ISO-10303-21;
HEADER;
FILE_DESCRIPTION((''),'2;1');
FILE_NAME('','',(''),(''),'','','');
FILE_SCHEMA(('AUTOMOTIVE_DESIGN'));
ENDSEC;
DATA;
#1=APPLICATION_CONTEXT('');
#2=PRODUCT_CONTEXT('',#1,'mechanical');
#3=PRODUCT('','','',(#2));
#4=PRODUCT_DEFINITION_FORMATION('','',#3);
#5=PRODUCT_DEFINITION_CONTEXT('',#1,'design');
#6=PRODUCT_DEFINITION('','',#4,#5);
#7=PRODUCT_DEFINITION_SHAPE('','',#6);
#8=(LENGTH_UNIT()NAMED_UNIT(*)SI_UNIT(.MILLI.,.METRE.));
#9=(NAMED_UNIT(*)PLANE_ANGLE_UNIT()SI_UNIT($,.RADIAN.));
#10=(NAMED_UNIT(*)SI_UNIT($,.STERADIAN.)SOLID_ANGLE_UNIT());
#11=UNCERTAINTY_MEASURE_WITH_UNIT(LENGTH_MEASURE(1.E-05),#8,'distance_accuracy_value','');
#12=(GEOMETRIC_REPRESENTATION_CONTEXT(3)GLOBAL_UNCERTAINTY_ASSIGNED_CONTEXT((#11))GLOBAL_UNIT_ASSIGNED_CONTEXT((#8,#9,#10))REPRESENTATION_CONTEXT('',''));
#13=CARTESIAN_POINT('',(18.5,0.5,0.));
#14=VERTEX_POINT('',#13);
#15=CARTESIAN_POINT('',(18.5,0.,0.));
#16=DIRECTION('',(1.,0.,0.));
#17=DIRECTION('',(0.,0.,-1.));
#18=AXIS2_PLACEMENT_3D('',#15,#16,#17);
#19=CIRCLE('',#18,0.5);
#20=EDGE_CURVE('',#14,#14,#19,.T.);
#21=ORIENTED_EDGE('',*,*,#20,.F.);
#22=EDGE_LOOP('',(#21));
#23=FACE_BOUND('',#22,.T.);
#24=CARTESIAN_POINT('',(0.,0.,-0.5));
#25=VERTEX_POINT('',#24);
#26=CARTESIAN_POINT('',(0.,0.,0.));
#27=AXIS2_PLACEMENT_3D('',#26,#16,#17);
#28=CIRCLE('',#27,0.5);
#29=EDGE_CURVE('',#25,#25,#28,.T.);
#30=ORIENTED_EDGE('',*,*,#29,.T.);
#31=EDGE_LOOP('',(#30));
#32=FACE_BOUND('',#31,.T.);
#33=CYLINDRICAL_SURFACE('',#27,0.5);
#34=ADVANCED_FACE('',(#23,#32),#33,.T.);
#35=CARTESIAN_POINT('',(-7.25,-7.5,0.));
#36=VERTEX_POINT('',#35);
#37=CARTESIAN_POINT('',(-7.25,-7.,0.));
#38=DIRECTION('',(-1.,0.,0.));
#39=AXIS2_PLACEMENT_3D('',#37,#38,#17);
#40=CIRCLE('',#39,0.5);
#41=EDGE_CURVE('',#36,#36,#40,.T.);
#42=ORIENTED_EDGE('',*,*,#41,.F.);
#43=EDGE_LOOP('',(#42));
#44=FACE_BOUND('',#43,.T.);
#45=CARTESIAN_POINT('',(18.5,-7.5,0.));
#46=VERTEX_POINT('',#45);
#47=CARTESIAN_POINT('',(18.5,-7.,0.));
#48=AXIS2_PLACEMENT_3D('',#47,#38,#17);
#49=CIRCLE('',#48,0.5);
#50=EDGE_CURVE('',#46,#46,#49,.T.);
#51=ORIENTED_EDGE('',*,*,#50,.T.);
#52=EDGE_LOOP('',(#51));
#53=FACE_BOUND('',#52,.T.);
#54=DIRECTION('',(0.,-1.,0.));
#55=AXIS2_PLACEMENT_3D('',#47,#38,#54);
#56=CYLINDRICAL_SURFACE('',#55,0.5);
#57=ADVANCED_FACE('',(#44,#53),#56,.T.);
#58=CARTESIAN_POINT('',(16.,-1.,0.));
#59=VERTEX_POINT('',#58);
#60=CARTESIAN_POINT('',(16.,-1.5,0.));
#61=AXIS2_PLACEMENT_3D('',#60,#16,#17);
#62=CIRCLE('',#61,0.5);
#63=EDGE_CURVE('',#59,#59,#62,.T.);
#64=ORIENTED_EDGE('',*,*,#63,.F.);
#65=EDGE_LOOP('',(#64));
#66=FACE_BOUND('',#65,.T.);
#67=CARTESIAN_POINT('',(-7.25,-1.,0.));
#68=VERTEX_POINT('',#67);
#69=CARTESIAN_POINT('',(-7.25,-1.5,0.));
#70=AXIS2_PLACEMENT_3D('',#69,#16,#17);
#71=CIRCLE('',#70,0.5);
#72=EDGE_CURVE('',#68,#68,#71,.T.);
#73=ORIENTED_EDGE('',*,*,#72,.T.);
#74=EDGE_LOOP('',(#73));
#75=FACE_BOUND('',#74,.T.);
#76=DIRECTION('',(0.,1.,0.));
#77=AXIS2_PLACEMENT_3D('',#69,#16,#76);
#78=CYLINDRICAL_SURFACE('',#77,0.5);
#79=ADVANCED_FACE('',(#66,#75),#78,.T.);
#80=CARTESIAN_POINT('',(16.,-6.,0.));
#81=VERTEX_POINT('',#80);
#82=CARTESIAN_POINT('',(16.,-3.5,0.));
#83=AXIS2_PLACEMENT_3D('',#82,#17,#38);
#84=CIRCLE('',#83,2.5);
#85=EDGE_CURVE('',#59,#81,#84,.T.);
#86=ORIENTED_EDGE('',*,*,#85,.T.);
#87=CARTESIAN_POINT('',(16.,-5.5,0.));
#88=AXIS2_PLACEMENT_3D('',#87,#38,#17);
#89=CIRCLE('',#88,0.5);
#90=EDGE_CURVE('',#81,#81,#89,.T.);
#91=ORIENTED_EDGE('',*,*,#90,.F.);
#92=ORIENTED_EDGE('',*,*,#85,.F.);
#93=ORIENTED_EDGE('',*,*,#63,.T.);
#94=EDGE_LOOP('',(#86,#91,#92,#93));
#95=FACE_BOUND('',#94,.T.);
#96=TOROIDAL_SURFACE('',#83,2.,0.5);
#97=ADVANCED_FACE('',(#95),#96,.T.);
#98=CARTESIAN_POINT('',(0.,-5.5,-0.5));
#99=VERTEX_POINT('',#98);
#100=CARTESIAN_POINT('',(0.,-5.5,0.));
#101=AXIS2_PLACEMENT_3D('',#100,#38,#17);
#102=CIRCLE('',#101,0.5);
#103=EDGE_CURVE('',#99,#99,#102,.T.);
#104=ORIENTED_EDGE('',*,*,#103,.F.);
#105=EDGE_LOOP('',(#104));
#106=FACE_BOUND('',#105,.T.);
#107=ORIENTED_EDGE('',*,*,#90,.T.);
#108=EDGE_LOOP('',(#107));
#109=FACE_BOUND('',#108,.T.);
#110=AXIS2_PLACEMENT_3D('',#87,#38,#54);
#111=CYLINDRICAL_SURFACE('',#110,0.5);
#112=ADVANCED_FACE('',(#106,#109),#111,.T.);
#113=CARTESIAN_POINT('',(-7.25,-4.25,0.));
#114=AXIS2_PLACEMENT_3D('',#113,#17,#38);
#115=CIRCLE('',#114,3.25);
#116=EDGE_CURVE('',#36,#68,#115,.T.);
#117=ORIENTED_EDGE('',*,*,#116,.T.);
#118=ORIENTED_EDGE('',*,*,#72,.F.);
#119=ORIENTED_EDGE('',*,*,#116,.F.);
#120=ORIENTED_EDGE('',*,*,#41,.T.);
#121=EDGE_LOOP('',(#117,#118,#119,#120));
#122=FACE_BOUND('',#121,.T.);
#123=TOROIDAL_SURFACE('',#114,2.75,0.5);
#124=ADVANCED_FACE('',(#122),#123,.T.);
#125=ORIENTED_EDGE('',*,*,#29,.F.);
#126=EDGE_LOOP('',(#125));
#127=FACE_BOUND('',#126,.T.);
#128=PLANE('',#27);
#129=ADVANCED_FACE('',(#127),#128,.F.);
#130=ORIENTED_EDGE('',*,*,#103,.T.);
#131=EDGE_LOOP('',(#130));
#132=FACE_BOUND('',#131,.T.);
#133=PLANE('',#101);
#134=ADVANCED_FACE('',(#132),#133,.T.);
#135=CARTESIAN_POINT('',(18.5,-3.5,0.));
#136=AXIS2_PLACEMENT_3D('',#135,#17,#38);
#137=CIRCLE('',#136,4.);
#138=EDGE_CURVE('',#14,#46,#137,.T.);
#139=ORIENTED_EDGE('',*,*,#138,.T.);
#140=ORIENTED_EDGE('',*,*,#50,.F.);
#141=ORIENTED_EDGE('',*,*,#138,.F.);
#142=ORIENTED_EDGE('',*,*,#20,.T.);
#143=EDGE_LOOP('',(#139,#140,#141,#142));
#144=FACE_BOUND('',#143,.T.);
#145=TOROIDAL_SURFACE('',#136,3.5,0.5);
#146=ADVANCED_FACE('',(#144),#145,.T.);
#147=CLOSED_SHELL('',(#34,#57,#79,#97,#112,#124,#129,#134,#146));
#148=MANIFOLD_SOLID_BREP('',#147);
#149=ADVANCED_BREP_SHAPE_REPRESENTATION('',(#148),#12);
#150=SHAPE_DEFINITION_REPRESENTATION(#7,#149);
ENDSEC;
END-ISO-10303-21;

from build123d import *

# Parameters (mm, degrees)
SKETCH2_R = 0.5


with BuildPart() as part:
    # Sweep1: sweep along a path in Sketch1
    with BuildLine(Plane.XY) as sweep1_path:
        Line((0, 0), (18.5, 0))
        ThreePointArc((18.5, 0), (22, -3.5), (18.5, -7))
        Line((18.5, -7), (-7.25, -7))
        ThreePointArc((-7.25, -7), (-10, -4.25), (-7.25, -1.5))
        Line((-7.25, -1.5), (16, -1.5))
        ThreePointArc((16, -1.5), (18, -3.5), (16, -5.5))
        Line((16, -5.5), (0, -5.5))
    # Sketch2 → Sweep1 (sweep)
    with BuildSketch(Plane(origin=(0, 0, 0), x_dir=(0, 0, -1), z_dir=(1, 0, 0))):
        Circle(SKETCH2_R)
    sweep(path=sweep1_path.line)


solid = part.part
